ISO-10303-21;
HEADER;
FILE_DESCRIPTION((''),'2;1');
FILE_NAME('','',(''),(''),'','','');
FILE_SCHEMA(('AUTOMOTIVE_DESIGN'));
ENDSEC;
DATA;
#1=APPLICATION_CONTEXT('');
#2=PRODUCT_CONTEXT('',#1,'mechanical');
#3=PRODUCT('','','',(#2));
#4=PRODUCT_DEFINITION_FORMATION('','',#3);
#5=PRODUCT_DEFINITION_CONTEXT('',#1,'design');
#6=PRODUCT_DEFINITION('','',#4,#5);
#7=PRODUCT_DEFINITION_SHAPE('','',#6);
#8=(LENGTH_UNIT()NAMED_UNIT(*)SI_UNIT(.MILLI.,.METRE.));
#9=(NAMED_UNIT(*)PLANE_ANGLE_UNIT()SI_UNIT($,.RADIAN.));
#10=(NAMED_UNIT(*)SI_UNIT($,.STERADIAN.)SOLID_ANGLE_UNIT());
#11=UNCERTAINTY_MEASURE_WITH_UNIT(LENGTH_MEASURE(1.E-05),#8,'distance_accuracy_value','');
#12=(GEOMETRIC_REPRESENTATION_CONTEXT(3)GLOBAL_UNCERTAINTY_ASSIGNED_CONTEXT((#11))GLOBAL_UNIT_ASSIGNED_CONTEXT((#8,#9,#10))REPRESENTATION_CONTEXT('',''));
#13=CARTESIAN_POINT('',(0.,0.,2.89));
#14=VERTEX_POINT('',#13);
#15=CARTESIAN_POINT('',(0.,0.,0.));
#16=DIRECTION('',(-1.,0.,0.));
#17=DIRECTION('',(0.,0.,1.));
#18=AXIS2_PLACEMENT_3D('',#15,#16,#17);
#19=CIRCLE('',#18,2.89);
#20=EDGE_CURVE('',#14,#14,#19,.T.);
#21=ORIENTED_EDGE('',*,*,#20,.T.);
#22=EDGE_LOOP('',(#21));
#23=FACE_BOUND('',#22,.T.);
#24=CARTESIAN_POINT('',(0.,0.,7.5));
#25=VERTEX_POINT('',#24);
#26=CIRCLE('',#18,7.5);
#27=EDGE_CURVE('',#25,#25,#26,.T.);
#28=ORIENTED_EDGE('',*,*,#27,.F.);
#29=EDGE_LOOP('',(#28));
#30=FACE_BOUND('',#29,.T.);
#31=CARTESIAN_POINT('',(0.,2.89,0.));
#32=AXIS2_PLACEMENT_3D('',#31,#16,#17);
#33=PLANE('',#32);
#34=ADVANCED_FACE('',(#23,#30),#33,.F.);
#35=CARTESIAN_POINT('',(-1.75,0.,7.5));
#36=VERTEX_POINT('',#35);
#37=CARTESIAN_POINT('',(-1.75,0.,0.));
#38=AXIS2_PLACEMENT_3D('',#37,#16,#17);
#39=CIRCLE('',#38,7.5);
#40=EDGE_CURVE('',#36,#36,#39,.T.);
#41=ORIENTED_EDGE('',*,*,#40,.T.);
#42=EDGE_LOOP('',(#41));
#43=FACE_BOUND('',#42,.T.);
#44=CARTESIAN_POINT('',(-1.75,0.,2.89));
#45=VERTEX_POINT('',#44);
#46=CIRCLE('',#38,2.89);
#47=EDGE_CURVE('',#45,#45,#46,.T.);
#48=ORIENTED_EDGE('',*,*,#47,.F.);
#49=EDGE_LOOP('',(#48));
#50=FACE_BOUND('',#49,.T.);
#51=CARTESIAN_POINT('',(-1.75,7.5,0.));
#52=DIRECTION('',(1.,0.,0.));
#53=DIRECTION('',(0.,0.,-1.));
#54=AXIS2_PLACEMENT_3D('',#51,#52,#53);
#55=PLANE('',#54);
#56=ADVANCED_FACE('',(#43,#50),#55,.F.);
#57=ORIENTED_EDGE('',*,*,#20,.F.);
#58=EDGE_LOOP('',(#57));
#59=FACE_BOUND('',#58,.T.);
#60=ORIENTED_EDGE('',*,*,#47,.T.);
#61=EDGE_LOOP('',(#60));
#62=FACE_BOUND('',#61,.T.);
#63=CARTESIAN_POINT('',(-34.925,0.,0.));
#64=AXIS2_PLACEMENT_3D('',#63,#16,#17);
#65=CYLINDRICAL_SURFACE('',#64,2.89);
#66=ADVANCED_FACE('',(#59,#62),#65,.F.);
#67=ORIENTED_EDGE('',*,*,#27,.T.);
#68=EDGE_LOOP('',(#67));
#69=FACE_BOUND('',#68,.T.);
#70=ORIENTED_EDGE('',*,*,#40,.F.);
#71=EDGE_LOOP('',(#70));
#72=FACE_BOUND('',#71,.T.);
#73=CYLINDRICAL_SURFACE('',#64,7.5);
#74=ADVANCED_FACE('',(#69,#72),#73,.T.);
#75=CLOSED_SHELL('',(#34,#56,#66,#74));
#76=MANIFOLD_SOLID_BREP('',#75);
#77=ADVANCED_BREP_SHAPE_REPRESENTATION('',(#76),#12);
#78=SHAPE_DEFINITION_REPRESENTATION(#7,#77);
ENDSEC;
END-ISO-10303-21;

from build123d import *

# Parameters (mm, degrees)
SKETCH1_W = 1.75
SKETCH1_H = 4.61


with BuildPart() as part:
    # Sketch1 → Base-Revolve (revolve)
    with BuildSketch(Plane.XY):
        with Locations((-0.875, 5.195)):
            Rectangle(SKETCH1_W, SKETCH1_H)
    revolve(axis=Axis((-34.925, 0, 0), (1, 0, 0)))


solid = part.part
